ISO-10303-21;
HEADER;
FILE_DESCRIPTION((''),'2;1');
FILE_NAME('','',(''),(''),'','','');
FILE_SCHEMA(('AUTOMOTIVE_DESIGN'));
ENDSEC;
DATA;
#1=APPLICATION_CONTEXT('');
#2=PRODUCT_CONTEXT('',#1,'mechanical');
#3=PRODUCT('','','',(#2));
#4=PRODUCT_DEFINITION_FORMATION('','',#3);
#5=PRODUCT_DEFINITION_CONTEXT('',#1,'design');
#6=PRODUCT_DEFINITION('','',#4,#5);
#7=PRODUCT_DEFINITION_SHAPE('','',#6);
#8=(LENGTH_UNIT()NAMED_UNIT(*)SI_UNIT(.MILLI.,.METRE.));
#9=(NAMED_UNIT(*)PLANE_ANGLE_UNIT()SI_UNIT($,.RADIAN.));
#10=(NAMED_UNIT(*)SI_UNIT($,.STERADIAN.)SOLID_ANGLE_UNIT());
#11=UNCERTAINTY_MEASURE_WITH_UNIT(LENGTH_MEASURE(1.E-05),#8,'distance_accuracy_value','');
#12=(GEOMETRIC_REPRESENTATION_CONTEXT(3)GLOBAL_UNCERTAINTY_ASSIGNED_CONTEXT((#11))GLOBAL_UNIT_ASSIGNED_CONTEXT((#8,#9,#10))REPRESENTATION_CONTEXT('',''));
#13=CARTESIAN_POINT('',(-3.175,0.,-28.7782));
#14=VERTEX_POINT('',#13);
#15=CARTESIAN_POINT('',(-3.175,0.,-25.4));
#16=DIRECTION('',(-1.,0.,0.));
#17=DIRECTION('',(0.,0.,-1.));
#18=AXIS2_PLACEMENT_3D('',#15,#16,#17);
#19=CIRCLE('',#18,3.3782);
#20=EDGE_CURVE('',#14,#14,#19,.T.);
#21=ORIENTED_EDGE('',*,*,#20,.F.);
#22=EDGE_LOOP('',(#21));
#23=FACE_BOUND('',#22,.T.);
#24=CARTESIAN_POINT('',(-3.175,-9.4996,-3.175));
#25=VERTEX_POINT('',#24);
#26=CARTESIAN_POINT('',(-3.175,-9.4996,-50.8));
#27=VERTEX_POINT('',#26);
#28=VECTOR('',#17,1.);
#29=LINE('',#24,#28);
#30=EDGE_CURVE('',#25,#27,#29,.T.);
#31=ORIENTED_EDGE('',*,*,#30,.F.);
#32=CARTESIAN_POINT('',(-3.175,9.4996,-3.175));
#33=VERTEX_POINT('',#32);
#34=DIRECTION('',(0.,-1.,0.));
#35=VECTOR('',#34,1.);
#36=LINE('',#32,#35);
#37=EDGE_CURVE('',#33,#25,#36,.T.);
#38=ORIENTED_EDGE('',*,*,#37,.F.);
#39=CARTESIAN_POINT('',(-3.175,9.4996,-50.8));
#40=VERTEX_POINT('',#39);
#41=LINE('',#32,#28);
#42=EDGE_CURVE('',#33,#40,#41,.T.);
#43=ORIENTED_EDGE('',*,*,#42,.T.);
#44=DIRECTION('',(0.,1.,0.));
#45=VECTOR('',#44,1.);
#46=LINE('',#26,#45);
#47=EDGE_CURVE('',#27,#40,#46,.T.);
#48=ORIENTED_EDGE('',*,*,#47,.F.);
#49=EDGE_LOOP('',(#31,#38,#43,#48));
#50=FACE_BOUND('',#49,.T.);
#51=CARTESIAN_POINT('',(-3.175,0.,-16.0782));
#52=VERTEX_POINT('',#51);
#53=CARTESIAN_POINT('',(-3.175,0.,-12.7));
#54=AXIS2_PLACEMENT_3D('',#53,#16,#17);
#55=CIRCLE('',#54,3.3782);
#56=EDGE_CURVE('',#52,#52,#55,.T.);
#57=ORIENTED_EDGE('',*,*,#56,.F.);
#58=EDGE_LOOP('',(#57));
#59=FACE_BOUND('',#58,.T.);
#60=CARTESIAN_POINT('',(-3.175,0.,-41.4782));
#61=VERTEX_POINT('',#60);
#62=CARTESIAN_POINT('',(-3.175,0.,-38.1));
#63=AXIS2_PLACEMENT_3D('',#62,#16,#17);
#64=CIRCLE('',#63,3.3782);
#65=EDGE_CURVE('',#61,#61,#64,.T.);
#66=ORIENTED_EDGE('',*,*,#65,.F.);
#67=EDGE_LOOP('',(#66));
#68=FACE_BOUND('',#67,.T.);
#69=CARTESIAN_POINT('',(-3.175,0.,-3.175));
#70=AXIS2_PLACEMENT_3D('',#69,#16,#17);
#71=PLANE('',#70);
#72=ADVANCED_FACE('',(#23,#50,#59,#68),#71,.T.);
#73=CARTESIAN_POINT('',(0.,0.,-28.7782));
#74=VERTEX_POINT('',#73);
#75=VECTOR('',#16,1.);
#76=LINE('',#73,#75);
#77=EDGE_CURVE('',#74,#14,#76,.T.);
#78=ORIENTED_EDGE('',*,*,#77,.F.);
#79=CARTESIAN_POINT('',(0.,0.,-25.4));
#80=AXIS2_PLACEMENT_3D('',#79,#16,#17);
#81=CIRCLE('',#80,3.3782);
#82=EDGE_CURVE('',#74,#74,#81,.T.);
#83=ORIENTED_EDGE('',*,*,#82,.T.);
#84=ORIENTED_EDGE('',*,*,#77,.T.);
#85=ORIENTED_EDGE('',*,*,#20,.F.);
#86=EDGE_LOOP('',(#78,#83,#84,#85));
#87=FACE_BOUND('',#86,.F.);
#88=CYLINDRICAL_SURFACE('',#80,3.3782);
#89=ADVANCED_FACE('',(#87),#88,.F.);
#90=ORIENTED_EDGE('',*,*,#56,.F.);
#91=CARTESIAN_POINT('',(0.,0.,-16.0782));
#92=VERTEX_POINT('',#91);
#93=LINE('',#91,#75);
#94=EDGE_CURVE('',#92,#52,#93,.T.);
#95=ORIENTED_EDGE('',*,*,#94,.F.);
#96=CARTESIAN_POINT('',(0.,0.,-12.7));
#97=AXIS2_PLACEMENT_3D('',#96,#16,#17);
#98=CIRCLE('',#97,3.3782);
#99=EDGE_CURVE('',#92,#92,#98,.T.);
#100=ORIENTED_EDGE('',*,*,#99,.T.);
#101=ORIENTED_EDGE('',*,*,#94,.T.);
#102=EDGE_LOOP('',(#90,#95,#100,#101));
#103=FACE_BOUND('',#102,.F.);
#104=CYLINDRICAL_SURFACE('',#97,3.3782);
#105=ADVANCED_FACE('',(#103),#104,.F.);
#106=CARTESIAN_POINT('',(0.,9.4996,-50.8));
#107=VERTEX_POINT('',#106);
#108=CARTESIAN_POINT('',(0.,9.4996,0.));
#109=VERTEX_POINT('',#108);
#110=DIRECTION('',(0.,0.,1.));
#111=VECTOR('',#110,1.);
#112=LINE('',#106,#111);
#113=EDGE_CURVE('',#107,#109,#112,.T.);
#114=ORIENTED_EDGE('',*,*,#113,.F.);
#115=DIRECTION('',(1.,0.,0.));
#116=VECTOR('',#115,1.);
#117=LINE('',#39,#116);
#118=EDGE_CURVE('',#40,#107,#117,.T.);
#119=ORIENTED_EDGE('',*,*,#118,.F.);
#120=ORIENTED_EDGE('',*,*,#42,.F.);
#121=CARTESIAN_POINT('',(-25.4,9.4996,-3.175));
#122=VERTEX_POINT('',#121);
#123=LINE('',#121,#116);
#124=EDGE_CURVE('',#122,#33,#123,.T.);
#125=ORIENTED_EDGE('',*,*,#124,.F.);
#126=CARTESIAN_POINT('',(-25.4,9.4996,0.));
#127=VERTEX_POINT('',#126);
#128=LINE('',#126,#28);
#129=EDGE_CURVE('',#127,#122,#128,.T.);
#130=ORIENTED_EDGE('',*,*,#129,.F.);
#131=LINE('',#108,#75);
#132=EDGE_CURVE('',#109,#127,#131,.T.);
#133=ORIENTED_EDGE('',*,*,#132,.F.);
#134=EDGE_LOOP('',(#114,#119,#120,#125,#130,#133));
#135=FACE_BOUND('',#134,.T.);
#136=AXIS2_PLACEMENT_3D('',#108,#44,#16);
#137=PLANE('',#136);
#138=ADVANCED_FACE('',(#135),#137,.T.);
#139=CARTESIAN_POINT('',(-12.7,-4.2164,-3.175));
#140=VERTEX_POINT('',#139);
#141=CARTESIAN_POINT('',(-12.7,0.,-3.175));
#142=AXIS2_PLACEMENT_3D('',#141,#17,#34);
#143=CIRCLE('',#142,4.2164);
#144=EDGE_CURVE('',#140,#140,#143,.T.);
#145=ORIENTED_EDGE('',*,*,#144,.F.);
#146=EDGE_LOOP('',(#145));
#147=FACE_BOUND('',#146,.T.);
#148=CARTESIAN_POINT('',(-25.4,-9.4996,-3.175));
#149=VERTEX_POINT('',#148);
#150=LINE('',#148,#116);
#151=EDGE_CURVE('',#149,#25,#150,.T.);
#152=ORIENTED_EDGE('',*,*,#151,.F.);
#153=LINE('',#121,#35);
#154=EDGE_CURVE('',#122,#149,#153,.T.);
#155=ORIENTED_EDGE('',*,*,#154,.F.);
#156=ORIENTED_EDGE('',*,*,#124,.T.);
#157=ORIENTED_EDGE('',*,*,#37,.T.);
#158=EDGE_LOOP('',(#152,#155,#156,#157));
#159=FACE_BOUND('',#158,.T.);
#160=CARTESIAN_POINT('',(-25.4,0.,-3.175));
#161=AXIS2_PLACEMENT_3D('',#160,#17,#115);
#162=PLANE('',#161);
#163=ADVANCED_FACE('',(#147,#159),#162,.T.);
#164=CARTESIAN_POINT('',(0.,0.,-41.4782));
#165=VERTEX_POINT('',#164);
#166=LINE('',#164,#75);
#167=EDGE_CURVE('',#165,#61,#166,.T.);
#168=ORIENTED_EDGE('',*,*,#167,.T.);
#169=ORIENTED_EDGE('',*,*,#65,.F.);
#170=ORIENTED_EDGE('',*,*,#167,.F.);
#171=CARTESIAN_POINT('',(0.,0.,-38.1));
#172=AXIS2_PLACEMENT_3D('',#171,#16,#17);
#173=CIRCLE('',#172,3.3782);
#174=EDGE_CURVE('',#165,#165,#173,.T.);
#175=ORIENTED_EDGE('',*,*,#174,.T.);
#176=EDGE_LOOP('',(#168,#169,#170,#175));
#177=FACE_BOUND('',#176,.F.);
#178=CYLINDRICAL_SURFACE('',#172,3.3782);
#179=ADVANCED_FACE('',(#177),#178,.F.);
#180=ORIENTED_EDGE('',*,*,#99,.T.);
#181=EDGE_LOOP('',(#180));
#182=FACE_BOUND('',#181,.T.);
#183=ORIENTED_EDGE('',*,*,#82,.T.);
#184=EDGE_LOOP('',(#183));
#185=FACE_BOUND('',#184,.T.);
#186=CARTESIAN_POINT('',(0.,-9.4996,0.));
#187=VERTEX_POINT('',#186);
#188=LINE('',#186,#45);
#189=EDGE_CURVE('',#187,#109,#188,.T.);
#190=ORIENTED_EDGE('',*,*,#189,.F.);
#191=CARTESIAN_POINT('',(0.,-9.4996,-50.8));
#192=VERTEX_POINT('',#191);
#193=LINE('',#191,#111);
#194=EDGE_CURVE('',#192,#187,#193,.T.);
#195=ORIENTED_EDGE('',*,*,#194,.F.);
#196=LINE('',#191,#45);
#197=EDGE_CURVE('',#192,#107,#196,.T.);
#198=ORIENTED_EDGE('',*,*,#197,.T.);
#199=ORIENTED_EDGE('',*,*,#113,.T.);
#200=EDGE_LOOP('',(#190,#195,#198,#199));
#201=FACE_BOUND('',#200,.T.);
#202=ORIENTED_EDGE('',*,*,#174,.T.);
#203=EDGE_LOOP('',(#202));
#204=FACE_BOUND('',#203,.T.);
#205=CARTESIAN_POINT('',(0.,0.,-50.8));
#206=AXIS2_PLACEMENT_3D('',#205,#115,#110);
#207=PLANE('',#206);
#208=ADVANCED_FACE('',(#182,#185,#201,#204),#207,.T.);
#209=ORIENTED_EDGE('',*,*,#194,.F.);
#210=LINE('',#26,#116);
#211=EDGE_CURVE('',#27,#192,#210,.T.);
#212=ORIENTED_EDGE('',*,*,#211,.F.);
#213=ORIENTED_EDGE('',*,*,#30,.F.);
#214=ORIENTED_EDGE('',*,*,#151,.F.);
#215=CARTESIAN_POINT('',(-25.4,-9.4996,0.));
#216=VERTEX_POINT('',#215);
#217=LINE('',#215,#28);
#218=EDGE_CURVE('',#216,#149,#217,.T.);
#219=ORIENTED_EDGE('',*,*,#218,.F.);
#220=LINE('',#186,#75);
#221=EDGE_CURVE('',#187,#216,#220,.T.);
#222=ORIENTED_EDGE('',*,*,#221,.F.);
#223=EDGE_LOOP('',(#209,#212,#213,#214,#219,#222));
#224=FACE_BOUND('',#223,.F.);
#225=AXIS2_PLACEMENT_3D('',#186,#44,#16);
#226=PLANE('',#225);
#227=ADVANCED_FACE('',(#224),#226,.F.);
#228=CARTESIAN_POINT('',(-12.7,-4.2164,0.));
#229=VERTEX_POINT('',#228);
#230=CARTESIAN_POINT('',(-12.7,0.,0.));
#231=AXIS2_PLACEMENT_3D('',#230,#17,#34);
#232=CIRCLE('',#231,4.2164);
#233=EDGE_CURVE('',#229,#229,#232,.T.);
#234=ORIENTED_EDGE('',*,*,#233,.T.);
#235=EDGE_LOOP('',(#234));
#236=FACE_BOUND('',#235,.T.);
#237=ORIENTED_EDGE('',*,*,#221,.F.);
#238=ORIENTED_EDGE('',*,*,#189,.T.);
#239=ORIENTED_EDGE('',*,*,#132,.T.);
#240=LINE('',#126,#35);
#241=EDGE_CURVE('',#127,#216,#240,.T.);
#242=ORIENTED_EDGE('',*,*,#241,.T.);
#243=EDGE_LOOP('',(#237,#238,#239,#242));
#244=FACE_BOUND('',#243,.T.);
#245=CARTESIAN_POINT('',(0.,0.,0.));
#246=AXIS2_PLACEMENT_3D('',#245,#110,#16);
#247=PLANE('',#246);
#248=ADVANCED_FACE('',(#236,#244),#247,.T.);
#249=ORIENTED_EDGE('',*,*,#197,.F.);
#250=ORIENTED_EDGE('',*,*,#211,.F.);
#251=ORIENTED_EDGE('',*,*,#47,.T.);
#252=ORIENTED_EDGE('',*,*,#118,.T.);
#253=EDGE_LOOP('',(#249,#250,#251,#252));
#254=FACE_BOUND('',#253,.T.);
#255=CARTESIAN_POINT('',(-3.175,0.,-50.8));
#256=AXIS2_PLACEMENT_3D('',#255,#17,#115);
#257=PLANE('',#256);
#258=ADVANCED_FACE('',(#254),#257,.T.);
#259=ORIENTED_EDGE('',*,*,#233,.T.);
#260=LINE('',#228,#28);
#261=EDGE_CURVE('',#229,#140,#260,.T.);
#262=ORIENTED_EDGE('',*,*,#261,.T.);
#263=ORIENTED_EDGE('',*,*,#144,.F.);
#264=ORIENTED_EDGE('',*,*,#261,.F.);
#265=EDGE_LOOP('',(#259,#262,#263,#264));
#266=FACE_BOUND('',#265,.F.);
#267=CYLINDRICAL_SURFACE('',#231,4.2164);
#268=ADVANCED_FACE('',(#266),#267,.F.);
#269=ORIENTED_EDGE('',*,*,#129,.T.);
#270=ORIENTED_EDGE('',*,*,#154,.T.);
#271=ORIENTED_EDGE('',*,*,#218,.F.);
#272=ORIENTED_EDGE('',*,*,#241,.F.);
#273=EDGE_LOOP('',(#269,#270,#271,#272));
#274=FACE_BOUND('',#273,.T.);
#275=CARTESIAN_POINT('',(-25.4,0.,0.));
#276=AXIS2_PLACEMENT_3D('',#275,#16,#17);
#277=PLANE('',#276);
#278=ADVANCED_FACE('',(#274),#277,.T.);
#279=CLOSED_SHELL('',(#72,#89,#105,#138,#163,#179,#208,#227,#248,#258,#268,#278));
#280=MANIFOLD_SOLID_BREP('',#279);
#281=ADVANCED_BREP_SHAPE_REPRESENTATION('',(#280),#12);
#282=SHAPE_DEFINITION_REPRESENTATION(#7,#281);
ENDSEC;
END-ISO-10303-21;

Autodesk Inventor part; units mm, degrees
ref_plane "YZ Plane" through (0, 0, 0) normal (1, 0, 0) x (0, 1, 0)
ref_plane "XZ Plane" through (0, 0, 0) normal (0, 1, 0) x (-1, 0, 0)
ref_plane "XY Plane" through (0, 0, 0) normal (0, 0, 1) x (1, 0, 0)
sketch "Sketch1" plane through (0, 0, 0) normal (0, 1, 0) x (-1, 0, 0)
  line L0 (0, 0) -> (25.4, 0)
  line L1 (25.4, 0) -> (25.4, -3.175)
  line L2 (25.4, -3.175) -> (3.175, -3.175)
  line L3 (3.175, -3.175) -> (3.175, -50.8)
  line L4 (3.175, -50.8) -> (0, -50.8)
  line L5 (0, -50.8) -> (0, 0)
  dimension "d0" = 25.4
  dimension "d1" = 50.8
  dimension "d2" = 3.175
  dimension "d3" = 3.175
extrude "Extrusion1" add sketch "Sketch1" along normal mid plane 18.9992
sketch "Sketch2" plane through (-25.4, 9.4996, 0) normal (0, 0, 1) x (1, 0, 0)
  line L0 (0, 0) -> (25.4, 0) construction
  line L1 (25.4, -18.9992) -> (25.4, 0) construction
  line L2 (0, 0) -> (25.4, -18.9992) construction
  line L3 (0, 0) -> (0, -18.9992) construction
  line L4 (0, -18.9992) -> (25.4, 0) construction
  point P0 (25.4, -9.4996)
  point P1 (12.7, -9.4996)
hole "Hole1" at (-12.7, 0, 0) direction (0, 0, -1) diameter 8.4328 end through all clearance for "Flat Head Machine Screw (82)" size "5/16" standard "Ansi Unified Screw Threads"
sketch "Sketch3" plane through (0, -9.4996, -50.8) normal (1, 0, 0) x (0, 0, -1)
  line L0 (0, 18.9992) -> (0, 0) construction
  line L1 (-50.8, 18.9992) -> (-50.8, 0) construction
  line L2 (0, 0) -> (-50.8, 0) construction
  line L3 (-50.8, 9.4996) -> (0, 9.4996) construction
  point P0 (-38.1, 9.4996)
  point P1 (-25.4, 9.4996)
  point P2 (-12.7, 9.4996)
  dimension "d20" = 12.7
  dimension "d23" = 12.7
hole "Hole3" at (0, 0, -12.7) at (0, 0, -25.4) at (0, 0, -38.1) direction (-1, 0, 0) diameter 6.7564 end through all clearance for "Flat Head Machine Screw (82)" size "1/4" standard "Ansi Unified Screw Threads"
properties part number "simpleBracketForTopOfDart"
